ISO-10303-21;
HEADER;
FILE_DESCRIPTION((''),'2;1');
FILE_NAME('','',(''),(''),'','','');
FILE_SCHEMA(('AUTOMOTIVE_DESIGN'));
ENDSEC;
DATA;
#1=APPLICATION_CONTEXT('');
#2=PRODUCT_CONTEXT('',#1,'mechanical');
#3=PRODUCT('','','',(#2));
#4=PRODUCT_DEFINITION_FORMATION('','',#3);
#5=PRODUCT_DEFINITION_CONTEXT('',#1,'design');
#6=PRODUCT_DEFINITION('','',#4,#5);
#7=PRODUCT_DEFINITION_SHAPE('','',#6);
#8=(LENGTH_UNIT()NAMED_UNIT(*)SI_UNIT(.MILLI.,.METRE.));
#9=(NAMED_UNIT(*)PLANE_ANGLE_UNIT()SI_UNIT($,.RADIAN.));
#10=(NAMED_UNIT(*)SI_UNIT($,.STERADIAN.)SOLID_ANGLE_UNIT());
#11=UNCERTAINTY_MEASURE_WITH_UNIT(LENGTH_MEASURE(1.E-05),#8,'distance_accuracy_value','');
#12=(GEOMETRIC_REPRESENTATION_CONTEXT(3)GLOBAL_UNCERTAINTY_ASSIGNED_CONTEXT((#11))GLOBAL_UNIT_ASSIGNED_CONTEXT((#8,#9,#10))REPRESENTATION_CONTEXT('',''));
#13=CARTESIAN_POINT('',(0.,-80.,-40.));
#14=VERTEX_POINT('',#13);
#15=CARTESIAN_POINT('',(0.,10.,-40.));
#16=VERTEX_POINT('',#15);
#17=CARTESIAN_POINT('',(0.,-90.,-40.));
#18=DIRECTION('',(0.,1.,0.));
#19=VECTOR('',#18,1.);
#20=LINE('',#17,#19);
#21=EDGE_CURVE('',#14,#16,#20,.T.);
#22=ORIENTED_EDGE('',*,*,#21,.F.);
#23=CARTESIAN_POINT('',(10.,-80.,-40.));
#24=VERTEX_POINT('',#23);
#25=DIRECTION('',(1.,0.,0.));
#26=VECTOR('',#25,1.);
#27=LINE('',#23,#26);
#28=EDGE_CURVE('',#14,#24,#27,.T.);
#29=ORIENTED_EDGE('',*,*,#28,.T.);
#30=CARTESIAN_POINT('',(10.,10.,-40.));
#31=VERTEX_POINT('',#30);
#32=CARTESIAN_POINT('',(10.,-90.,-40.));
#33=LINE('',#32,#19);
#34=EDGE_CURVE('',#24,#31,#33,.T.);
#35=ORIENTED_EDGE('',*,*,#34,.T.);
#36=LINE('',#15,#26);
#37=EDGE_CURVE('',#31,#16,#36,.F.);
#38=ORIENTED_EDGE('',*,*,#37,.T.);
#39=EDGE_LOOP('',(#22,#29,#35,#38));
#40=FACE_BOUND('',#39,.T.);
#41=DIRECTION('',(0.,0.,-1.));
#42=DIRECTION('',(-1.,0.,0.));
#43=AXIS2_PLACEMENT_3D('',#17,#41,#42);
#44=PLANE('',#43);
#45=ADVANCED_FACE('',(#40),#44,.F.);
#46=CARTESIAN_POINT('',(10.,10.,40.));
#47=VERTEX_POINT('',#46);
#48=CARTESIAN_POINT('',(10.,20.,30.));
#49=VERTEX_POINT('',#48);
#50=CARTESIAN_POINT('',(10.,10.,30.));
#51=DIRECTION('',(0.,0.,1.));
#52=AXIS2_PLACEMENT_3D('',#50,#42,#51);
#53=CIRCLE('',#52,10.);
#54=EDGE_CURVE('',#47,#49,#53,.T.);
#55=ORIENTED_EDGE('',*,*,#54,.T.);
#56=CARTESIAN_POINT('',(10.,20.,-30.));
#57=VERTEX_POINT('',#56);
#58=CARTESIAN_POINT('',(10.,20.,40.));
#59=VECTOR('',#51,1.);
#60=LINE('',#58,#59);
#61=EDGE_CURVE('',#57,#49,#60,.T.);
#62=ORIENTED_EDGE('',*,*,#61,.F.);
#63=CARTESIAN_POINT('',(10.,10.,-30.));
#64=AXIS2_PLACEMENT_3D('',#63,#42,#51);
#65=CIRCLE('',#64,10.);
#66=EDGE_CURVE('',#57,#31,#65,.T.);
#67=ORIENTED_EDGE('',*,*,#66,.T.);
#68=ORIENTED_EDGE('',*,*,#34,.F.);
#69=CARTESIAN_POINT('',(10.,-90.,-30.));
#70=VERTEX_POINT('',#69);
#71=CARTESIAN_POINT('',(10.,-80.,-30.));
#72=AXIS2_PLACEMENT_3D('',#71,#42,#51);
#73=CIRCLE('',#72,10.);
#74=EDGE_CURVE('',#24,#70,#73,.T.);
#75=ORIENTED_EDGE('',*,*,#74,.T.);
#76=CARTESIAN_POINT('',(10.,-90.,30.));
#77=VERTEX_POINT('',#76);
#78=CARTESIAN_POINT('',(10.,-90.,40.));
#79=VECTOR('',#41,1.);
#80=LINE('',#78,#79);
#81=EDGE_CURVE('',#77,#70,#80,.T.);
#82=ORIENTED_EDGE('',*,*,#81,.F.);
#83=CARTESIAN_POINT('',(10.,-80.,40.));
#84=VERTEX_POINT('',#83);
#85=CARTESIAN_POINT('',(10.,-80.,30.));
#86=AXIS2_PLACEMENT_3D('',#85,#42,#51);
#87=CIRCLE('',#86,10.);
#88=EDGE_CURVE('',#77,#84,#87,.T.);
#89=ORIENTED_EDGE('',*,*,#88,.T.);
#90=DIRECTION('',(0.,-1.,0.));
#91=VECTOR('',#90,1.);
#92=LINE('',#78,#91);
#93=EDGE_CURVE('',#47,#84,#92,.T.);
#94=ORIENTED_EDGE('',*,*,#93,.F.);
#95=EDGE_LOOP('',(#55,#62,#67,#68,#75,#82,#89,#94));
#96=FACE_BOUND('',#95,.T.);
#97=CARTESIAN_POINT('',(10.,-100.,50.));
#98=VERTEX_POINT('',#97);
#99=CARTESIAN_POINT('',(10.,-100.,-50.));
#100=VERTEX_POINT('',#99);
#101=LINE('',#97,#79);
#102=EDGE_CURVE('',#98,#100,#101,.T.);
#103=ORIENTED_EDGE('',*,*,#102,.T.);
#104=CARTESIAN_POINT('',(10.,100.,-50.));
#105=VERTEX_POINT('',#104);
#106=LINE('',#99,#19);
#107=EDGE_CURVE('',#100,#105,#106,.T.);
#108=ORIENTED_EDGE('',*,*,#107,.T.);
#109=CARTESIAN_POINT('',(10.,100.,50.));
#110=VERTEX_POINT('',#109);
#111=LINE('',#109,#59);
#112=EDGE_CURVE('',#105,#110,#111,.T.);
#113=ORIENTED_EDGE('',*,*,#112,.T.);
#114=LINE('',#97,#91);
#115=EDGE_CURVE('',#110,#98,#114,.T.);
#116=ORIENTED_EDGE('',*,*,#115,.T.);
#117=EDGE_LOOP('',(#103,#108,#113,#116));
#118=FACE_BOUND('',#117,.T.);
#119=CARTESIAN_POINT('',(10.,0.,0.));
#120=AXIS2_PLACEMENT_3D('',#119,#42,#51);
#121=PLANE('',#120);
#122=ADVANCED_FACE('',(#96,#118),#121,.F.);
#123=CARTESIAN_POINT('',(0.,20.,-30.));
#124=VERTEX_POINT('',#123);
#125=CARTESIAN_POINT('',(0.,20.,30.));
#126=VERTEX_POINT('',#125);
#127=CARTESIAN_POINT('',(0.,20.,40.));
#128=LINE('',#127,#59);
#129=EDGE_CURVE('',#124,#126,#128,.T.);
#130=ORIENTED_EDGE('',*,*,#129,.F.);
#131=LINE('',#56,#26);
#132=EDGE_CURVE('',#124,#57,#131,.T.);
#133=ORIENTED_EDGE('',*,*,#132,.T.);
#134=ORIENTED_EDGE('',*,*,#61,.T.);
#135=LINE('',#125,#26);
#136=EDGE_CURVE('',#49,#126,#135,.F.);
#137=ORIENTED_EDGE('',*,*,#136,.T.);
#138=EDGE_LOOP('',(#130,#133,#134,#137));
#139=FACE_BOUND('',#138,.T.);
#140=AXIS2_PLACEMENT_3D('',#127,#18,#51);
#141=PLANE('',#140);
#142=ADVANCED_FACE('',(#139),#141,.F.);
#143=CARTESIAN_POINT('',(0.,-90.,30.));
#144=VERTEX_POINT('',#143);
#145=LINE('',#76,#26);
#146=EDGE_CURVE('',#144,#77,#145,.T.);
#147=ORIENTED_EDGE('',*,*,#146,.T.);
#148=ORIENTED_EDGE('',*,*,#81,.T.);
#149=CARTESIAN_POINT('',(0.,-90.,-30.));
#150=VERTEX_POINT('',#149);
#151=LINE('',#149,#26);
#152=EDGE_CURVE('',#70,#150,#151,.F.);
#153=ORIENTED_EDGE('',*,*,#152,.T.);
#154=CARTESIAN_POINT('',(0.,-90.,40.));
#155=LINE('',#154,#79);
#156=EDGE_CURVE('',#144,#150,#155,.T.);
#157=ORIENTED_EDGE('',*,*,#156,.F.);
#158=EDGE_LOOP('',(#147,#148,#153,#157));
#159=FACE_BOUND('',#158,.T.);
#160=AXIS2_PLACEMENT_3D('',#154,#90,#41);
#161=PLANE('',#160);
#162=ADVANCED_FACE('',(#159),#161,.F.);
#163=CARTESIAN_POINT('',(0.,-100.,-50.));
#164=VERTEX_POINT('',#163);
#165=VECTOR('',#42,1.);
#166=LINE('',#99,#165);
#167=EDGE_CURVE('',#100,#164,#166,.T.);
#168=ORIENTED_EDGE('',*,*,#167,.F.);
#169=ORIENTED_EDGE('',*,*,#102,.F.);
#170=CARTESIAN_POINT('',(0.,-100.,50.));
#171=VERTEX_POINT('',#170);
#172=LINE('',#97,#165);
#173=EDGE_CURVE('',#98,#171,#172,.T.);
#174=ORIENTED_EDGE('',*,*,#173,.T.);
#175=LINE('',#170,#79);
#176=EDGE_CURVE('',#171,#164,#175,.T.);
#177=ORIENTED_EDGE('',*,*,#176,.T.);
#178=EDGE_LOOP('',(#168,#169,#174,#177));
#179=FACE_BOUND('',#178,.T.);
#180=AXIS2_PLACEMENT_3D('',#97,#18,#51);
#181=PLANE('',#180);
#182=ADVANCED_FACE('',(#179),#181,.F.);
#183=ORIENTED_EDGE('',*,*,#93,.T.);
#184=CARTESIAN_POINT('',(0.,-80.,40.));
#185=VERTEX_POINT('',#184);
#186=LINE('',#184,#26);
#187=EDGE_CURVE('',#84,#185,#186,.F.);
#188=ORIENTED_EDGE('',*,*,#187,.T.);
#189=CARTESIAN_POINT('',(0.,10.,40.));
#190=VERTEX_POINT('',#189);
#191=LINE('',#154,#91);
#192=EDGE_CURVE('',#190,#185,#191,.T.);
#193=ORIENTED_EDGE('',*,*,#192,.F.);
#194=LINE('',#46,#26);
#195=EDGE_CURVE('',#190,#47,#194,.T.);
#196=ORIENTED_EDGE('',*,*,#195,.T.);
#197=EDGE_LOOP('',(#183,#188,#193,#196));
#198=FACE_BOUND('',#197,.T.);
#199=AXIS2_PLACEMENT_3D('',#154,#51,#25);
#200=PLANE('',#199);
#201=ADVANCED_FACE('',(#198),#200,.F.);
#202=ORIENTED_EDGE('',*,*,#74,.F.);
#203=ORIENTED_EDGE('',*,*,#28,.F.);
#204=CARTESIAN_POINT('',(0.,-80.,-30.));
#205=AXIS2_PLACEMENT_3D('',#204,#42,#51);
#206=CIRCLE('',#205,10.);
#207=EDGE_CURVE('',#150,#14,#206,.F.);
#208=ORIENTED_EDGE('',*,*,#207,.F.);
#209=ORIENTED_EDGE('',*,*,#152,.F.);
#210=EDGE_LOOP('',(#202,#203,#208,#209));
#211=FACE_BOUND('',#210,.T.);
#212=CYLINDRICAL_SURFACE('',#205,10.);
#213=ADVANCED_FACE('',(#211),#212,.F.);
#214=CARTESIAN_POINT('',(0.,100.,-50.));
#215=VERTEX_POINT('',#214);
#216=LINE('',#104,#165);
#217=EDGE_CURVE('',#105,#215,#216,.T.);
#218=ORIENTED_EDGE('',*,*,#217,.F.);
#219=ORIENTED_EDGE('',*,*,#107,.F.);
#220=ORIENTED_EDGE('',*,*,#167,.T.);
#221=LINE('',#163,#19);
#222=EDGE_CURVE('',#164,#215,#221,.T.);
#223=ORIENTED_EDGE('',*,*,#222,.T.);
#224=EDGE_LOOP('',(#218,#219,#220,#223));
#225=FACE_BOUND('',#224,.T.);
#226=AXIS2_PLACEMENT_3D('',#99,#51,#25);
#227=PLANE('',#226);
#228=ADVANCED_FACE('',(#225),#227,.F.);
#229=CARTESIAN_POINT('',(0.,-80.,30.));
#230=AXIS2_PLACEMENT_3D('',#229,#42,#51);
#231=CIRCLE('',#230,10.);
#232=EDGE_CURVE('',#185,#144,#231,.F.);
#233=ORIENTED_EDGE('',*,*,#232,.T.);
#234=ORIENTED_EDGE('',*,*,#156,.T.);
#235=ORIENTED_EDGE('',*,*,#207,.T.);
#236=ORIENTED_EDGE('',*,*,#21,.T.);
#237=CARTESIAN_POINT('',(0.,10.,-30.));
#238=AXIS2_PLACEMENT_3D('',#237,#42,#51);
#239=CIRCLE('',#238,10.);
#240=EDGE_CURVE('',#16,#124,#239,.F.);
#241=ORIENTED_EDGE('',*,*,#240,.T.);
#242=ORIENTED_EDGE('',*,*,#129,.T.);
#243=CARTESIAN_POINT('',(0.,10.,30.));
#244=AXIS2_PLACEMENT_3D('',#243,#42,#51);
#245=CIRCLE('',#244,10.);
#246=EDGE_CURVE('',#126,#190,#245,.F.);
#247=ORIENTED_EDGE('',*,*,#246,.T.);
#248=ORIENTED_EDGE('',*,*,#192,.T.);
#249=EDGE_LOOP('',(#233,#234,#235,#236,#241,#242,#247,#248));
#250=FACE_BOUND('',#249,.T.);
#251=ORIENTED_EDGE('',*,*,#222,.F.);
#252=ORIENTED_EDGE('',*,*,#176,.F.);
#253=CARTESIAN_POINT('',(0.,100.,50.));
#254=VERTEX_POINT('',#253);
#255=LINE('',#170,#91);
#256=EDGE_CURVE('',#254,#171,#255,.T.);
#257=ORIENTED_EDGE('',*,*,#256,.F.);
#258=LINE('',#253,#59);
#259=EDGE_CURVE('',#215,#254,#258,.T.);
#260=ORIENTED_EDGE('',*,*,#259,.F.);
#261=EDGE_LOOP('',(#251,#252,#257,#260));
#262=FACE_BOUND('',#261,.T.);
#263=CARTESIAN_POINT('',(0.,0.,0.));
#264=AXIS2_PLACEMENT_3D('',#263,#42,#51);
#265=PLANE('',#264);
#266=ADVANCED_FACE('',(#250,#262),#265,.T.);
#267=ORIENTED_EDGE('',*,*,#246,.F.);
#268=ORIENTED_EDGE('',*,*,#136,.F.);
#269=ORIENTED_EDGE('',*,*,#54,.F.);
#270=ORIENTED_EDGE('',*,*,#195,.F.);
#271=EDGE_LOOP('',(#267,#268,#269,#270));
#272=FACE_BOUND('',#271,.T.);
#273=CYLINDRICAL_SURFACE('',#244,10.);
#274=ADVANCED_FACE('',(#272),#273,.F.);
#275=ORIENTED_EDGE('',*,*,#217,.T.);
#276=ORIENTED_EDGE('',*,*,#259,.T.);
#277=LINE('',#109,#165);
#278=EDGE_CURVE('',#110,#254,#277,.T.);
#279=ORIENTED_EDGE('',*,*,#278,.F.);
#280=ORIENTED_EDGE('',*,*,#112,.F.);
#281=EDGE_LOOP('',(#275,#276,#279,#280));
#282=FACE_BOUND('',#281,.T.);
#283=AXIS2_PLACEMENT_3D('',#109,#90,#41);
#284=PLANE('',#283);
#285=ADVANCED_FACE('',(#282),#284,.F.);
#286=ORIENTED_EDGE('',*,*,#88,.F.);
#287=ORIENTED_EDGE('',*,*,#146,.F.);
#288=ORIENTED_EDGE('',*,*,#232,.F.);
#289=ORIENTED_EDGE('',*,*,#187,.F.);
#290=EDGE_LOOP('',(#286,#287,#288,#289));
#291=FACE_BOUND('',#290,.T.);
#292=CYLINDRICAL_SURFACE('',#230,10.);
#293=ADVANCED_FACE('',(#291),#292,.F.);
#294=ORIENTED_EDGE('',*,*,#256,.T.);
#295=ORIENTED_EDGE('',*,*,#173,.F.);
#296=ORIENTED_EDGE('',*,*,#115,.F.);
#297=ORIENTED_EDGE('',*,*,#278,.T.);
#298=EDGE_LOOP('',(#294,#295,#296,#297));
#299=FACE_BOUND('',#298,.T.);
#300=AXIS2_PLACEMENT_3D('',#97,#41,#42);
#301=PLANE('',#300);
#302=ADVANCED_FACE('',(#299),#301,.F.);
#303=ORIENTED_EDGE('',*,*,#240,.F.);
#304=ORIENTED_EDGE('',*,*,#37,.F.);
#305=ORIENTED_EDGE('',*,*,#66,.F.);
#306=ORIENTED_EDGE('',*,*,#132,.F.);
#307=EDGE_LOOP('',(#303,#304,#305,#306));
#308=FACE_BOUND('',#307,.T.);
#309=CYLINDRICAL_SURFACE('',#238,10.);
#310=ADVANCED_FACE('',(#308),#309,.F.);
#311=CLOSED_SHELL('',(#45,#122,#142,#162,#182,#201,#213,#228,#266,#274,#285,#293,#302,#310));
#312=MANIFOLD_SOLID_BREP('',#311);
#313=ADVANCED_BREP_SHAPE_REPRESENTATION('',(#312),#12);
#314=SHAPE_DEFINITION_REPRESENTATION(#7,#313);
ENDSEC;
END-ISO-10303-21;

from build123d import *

# Parameters (mm, degrees)
SKETCH_1_W          = 100
SKETCH_1_H          = 200
EXTRUDE_1_DEPTH     = 10
SKETCH_2_W          = 80
SKETCH_2_H          = 110
CUT_EXTRUDE_1_DEPTH = 113.249721603
FILLET_1_R          = 10


with BuildPart() as part:
    # 草图1 → 凸台-拉伸1 (new body)
    with BuildSketch(Plane(origin=(0, 0, 0), x_dir=(0, 0, -1), z_dir=(1, 0, 0))):
        Rectangle(SKETCH_1_W, SKETCH_1_H)
    extrude(amount=EXTRUDE_1_DEPTH)

    # 草图2 → 切除-拉伸1 (cut, through all)
    with BuildSketch(Plane(origin=(10, 0, 0), x_dir=(0, 0, -1), z_dir=(1, 0, 0))):
        with Locations((0, -35)):
            Rectangle(SKETCH_2_W, SKETCH_2_H)
    extrude(amount=-CUT_EXTRUDE_1_DEPTH, mode=Mode.SUBTRACT)

    # 圆角1
    fillet_1_edges = [part.edges().sort_by_distance(p)[0] for p in [
        (5, -90, 40),
        (5, 20, 40),
        (5, 20, -40),
        (5, -90, -40),
    ]]
    fillet(fillet_1_edges, radius=FILLET_1_R)


solid = part.part
